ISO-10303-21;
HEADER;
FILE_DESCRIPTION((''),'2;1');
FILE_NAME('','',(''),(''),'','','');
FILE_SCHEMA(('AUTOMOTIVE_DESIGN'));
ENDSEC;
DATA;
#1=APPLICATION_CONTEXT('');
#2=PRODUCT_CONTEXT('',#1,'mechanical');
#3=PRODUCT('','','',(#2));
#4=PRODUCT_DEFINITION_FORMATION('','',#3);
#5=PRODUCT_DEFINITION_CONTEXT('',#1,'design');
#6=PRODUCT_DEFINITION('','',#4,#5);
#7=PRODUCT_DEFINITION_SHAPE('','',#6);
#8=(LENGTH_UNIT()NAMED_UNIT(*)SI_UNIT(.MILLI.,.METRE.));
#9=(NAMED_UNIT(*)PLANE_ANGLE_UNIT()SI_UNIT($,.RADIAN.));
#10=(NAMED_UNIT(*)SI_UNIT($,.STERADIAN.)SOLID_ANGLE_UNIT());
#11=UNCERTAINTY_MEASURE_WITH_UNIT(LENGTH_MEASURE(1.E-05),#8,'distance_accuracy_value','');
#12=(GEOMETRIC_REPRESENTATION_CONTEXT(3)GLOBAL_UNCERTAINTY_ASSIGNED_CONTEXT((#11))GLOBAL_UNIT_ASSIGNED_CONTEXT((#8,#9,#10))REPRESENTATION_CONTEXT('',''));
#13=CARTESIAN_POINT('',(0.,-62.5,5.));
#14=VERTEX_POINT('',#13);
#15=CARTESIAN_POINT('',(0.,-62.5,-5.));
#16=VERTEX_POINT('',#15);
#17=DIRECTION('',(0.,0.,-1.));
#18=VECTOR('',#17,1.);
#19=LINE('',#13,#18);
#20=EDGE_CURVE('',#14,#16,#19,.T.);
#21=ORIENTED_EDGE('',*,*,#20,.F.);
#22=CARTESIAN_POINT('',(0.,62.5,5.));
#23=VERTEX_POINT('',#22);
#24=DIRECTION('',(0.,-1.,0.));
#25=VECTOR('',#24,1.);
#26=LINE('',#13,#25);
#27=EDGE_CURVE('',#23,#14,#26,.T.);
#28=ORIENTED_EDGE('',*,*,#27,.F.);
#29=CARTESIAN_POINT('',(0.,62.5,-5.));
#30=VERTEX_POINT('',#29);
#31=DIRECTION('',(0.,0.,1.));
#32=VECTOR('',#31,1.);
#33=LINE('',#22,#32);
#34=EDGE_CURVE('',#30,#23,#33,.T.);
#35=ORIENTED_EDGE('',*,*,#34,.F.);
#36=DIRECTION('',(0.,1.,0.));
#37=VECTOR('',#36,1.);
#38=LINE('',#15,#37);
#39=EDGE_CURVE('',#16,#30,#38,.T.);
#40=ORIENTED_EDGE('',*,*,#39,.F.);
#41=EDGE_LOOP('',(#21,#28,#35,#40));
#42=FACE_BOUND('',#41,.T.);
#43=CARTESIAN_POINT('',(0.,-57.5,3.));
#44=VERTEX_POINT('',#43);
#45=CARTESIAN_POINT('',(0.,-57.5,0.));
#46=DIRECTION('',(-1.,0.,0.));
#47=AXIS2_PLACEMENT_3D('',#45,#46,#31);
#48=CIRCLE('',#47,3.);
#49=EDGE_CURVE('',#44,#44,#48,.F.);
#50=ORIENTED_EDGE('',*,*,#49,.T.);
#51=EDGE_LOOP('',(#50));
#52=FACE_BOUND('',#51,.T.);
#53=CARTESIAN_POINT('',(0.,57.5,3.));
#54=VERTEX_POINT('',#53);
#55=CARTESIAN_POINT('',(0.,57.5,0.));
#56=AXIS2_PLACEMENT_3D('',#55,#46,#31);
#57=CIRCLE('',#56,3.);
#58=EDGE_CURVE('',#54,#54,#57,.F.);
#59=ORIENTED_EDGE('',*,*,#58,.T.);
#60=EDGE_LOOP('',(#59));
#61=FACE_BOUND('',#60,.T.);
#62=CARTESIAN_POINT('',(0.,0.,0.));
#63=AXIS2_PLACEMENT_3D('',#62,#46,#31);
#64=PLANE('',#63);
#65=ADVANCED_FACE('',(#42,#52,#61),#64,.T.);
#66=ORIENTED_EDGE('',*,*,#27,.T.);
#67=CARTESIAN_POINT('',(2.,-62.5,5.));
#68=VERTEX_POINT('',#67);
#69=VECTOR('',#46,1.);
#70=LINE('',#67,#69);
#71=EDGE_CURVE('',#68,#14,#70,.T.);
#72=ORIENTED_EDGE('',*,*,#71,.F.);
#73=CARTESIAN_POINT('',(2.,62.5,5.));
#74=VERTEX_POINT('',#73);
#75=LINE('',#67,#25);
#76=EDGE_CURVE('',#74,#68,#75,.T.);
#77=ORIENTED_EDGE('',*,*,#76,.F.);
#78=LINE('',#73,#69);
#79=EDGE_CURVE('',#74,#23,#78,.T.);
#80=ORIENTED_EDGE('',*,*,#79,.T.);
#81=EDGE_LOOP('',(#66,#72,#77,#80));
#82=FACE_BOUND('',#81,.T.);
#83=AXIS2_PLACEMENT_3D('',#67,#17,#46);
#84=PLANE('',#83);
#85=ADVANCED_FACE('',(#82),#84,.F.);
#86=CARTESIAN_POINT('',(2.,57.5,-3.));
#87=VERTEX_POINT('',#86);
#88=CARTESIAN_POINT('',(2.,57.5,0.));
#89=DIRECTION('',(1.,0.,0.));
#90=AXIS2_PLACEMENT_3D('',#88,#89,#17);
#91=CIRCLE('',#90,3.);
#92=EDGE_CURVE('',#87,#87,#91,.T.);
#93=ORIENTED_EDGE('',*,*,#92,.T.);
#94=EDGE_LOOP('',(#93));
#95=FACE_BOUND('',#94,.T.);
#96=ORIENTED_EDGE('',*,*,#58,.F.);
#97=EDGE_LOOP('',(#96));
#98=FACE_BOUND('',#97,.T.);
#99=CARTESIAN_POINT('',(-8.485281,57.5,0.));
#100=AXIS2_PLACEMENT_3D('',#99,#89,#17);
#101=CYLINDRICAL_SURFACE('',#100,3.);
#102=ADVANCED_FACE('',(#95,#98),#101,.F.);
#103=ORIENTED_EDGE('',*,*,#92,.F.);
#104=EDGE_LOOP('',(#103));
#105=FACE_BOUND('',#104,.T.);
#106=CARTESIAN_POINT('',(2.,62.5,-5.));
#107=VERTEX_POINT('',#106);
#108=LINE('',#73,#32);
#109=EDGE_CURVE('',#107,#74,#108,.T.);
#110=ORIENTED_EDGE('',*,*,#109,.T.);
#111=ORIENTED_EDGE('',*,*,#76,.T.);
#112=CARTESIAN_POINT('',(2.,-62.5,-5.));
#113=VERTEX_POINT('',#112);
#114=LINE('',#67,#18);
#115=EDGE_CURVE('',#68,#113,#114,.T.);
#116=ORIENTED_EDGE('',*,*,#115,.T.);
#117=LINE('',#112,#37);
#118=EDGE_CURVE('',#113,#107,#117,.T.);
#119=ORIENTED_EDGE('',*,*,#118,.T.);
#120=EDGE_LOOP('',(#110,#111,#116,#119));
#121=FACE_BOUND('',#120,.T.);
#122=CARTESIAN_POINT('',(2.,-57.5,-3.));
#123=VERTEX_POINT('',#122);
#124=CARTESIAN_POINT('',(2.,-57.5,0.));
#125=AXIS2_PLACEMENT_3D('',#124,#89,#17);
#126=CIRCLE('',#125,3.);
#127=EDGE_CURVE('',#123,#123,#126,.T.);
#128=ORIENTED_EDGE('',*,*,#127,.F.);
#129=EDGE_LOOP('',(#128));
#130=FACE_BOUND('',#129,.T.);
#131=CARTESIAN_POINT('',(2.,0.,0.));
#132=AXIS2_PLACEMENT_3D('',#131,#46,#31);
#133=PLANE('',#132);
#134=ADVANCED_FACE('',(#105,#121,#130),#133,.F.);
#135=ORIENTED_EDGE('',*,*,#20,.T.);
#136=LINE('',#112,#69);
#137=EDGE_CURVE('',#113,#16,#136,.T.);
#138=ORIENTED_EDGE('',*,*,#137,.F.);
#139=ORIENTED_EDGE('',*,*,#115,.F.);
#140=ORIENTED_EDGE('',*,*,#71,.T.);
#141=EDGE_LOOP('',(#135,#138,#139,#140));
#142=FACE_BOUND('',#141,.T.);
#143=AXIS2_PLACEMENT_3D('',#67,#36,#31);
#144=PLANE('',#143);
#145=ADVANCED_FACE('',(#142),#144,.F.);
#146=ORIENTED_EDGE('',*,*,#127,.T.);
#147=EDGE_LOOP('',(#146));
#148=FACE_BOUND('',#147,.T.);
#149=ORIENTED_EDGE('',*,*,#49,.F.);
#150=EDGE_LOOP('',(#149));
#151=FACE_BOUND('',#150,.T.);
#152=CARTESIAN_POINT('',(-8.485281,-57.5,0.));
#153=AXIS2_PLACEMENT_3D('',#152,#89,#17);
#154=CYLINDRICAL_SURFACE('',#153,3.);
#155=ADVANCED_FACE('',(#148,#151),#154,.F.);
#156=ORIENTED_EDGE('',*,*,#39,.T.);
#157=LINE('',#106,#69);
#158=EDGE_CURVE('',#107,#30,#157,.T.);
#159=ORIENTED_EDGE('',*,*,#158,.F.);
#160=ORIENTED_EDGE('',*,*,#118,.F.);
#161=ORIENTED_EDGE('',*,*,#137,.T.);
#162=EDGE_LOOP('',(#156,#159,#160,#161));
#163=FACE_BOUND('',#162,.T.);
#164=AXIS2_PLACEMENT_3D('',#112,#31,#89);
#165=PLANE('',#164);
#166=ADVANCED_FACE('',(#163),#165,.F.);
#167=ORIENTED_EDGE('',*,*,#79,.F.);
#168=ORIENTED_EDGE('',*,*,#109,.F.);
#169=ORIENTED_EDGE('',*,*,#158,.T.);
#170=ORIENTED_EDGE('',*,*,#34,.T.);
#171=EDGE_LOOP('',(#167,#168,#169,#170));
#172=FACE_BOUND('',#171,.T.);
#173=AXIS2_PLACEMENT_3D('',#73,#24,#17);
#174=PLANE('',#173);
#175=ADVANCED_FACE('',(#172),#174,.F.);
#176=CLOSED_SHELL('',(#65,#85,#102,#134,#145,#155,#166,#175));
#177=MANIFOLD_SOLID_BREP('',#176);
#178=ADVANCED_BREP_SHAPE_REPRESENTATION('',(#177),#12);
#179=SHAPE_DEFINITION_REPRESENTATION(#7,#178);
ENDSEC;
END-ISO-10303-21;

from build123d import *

# Parameters (mm, degrees)
SKETCH1_W           = 10
SKETCH1_H           = 125
BOSS_EXTRUDE1_DEPTH = 2
SKETCH3_R           = 3
CUT_EXTRUDE2_DEPTH  = 2


with BuildPart() as part:
    # Sketch1 → Boss-Extrude1 (new body)
    with BuildSketch(Plane(origin=(0, 0, 0), x_dir=(0, 0, -1), z_dir=(1, 0, 0))):
        Rectangle(SKETCH1_W, SKETCH1_H)
    extrude(amount=BOSS_EXTRUDE1_DEPTH)

    # Sketch3 → Cut-Extrude2 (cut)
    with BuildSketch(Plane(origin=(2, 0, 0), x_dir=(0, 0, -1), z_dir=(1, 0, 0))):
        with Locations((0, 57.5)):
            Circle(SKETCH3_R)
        with Locations((0, -57.5)):
            Circle(SKETCH3_R)
    extrude(amount=-CUT_EXTRUDE2_DEPTH, mode=Mode.SUBTRACT)


solid = part.part
